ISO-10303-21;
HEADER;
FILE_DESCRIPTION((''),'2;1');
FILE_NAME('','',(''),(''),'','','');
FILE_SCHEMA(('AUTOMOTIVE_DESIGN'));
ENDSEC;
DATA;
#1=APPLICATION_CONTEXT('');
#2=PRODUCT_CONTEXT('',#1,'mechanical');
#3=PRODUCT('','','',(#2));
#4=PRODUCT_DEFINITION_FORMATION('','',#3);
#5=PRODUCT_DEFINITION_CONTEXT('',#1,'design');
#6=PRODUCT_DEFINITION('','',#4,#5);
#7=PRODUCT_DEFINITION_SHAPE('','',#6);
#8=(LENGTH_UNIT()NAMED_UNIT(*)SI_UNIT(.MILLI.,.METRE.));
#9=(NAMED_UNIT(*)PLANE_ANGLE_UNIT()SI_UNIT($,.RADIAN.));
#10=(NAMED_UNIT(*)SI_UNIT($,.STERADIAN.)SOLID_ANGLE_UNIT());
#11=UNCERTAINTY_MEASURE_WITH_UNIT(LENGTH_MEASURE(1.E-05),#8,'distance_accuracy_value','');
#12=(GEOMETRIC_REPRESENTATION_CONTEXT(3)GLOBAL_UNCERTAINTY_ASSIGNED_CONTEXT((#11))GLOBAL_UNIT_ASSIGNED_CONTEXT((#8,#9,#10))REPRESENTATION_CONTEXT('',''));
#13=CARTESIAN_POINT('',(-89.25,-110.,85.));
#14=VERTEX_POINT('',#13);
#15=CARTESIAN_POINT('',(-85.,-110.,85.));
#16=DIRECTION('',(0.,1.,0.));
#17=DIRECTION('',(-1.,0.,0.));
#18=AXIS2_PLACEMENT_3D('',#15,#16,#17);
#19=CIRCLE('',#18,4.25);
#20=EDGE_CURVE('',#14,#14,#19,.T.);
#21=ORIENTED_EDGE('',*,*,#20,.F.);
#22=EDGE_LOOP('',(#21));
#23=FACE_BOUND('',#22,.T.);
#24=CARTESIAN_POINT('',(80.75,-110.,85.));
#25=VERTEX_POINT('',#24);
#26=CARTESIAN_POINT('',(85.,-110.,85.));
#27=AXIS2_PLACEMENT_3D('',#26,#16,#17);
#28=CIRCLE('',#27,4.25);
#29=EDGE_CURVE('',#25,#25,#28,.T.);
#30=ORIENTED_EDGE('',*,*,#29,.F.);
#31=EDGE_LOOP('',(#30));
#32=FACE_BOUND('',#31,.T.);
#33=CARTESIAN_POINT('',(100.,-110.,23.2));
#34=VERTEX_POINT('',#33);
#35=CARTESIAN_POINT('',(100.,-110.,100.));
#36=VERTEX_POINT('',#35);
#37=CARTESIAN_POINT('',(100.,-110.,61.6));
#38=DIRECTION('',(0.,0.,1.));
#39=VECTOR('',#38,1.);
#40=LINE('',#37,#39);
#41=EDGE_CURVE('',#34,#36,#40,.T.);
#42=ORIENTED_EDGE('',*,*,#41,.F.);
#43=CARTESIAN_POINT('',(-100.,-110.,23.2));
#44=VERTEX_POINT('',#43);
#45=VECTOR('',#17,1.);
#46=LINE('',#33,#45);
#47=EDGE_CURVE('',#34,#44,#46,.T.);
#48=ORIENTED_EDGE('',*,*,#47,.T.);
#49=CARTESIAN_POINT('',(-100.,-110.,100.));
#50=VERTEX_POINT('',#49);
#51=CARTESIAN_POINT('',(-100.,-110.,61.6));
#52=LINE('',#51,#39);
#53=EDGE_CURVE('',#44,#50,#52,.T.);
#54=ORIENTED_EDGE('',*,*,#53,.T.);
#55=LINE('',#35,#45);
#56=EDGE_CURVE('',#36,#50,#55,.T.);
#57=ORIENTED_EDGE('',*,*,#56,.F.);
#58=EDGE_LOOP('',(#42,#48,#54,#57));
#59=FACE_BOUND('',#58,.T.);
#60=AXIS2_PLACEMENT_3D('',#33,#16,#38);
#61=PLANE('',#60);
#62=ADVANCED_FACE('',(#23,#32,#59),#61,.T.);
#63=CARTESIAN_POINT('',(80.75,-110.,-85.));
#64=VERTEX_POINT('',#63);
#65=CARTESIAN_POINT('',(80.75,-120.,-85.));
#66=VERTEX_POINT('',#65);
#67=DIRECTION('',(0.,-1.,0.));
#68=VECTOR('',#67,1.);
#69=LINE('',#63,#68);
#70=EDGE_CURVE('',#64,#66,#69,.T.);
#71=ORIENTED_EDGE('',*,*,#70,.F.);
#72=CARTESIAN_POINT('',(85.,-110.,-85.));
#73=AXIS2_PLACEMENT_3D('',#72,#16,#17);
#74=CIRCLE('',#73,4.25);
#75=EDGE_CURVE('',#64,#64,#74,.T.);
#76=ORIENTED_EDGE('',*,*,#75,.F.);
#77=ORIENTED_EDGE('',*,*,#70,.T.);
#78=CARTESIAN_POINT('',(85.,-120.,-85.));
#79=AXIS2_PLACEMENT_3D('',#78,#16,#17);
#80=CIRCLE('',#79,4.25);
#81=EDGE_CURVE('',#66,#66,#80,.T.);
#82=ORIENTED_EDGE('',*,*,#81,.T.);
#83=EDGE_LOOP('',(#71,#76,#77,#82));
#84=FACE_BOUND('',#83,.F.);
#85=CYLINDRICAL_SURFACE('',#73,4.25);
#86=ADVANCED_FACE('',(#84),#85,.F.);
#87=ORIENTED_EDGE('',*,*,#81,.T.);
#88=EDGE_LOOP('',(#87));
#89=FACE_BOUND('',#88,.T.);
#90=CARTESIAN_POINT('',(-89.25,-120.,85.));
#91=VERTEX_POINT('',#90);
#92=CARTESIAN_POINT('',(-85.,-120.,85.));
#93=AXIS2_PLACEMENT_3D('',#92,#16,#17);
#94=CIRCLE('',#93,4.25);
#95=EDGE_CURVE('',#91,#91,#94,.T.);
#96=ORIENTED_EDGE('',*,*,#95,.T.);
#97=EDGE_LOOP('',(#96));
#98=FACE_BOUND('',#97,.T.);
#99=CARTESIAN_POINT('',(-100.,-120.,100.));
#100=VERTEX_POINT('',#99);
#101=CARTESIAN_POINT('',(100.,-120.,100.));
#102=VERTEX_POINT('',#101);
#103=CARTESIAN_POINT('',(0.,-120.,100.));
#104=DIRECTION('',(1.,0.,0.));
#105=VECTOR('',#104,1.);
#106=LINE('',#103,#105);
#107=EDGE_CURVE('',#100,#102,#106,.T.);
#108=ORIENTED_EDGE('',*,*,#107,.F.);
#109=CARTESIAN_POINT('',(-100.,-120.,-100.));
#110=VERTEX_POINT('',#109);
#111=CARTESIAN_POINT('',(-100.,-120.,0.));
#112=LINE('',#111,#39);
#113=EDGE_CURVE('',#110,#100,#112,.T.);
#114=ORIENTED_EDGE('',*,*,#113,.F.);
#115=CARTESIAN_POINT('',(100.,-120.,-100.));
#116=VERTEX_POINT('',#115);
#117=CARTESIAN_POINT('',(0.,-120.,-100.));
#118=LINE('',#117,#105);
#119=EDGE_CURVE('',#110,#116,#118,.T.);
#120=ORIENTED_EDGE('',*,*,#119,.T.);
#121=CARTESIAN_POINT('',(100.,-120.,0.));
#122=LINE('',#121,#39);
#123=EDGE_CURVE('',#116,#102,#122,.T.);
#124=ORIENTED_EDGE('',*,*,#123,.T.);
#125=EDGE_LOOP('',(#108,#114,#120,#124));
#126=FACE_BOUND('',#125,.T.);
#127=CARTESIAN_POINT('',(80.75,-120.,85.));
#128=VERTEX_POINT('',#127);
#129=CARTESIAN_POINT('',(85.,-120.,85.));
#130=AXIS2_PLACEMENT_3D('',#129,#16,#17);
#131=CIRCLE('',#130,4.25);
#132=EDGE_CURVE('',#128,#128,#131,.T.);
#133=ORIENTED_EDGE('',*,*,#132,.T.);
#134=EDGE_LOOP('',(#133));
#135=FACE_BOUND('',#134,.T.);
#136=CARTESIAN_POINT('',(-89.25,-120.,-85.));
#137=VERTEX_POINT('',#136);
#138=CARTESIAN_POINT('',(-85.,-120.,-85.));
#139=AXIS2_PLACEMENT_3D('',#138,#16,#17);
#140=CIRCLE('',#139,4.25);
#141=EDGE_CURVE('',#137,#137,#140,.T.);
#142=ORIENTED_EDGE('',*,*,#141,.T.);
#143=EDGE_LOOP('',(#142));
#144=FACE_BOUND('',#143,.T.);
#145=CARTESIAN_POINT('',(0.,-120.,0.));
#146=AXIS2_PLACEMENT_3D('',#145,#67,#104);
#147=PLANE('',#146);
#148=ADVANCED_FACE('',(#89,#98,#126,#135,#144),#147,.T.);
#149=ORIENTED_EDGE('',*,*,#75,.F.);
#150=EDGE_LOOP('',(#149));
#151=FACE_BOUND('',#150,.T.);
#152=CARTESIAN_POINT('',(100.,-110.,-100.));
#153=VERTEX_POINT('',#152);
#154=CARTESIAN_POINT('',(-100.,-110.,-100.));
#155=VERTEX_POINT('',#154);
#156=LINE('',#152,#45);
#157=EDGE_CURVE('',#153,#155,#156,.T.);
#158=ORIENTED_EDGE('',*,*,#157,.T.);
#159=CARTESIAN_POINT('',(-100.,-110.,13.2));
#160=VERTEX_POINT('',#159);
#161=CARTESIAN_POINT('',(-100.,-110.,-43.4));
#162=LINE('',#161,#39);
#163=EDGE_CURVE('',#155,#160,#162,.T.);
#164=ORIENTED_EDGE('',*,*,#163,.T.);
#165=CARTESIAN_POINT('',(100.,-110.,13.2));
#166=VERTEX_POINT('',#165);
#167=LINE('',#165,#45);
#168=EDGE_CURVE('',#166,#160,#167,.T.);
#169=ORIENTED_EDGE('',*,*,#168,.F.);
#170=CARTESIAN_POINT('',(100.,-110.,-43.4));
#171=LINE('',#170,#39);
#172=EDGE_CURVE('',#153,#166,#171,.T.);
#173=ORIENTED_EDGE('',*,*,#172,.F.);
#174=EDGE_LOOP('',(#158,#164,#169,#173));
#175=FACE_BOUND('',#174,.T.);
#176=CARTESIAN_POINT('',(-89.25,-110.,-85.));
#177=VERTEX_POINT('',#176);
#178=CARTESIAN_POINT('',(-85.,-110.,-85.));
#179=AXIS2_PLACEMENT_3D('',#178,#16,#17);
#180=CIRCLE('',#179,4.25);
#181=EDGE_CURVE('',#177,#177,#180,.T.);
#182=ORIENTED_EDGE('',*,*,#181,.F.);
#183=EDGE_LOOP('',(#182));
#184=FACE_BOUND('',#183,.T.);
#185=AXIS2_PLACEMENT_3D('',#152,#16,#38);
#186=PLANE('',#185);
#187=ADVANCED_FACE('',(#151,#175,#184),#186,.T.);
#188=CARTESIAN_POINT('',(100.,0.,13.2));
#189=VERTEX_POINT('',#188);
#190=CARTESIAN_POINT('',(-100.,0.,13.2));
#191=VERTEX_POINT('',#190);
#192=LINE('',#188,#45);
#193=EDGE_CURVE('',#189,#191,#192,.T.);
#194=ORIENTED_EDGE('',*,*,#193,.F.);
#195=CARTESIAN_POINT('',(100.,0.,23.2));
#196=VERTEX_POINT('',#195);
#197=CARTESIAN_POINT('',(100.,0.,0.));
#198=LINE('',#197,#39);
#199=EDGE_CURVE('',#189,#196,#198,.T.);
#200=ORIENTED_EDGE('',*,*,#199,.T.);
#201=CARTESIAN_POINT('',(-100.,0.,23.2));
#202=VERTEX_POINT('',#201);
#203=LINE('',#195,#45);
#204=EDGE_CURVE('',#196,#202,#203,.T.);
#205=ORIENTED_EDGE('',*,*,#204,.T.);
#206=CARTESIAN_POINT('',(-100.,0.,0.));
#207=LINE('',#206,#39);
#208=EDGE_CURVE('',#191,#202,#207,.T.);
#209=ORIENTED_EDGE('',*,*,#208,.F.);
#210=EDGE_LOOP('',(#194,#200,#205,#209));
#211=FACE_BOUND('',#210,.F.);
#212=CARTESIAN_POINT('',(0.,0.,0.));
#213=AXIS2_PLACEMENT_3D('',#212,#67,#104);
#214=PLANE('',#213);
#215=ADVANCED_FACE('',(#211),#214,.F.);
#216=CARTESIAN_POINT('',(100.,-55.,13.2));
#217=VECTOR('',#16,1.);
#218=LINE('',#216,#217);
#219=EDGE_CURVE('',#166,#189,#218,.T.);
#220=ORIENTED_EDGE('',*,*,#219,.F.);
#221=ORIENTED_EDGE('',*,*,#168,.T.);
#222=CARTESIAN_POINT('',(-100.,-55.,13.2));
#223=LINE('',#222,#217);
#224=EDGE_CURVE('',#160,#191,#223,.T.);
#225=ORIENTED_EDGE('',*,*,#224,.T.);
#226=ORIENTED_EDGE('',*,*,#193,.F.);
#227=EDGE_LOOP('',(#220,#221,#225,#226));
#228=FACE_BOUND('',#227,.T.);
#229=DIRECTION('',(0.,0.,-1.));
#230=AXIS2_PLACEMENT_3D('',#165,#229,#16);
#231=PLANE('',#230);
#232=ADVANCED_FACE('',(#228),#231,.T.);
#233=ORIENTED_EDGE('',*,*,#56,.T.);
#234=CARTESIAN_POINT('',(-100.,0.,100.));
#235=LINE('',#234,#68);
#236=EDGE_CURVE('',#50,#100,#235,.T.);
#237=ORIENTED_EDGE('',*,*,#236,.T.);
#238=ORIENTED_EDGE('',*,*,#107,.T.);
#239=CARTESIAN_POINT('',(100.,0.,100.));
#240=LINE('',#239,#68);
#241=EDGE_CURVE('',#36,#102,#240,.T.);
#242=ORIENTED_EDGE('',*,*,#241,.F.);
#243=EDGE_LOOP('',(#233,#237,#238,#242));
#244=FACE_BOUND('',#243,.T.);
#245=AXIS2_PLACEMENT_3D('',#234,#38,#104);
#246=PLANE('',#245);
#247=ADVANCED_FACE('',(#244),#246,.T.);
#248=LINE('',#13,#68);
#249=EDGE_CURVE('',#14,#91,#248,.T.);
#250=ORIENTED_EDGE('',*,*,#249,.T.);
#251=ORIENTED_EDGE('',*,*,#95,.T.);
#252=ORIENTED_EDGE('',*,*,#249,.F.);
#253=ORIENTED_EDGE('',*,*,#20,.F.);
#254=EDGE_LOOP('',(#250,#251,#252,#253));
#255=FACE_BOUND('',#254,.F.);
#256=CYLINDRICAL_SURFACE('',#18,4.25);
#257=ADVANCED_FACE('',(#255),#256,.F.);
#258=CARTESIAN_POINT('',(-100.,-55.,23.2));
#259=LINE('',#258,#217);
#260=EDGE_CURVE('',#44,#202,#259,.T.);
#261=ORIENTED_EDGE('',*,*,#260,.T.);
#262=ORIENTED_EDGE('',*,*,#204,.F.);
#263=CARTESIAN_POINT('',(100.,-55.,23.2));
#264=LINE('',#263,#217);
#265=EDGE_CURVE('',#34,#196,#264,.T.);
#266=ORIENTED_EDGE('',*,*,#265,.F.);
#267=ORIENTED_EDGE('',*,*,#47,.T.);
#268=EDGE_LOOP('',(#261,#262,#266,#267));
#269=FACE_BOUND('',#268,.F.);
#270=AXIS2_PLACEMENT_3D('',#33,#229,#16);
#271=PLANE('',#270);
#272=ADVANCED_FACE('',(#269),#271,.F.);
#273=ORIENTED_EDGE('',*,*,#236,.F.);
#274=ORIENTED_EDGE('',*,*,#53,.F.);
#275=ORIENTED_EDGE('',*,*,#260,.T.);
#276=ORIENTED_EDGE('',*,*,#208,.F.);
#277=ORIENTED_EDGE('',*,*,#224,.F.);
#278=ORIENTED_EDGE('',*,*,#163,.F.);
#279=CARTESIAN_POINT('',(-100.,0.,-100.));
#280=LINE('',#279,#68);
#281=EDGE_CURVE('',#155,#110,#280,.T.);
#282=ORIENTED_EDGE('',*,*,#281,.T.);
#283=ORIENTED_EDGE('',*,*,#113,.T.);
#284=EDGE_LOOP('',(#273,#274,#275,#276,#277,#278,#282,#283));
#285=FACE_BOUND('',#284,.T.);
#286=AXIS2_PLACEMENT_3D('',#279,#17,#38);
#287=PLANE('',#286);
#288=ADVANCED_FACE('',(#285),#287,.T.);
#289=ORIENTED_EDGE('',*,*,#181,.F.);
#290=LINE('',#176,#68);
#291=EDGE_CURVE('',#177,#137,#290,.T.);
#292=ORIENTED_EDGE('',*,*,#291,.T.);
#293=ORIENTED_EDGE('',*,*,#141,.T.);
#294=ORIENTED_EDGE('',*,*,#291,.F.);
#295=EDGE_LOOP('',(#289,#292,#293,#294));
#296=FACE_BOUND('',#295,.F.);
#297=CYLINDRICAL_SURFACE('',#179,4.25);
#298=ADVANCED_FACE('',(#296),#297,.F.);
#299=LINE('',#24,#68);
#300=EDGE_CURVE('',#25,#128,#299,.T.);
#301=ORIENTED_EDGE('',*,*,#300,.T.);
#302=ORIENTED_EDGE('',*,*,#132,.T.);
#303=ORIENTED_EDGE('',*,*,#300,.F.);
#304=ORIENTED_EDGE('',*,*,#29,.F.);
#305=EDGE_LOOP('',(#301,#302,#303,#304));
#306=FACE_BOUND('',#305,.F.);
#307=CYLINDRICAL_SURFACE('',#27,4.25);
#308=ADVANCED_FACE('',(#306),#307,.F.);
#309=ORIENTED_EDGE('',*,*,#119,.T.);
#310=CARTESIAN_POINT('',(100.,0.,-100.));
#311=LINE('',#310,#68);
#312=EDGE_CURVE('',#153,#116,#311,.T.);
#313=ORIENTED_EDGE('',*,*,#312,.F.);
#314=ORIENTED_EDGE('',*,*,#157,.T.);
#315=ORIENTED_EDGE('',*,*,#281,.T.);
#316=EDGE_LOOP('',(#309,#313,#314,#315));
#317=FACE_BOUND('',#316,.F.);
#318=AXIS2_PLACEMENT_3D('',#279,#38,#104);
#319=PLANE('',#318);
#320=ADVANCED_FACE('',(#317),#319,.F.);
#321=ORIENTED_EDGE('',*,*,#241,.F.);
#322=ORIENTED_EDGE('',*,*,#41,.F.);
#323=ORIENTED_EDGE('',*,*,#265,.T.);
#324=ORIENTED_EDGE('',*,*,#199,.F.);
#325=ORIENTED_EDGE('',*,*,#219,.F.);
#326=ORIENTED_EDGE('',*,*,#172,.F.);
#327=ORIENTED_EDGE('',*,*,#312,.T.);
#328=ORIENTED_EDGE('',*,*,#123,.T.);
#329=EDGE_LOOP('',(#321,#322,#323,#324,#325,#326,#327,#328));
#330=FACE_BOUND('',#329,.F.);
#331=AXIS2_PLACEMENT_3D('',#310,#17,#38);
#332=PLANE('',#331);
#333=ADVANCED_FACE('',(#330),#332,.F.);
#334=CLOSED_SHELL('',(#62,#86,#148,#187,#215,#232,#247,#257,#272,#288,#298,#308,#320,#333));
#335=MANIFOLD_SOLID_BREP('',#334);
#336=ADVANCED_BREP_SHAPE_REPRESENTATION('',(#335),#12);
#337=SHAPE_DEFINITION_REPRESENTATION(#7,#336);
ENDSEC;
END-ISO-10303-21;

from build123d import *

# Parameters (mm, degrees)
F0_W      = 200
F0_H      = 200
F1_DEPTH  = 120
F2_W      = 110
F2_H      = 76.8
F2_H_2    = 113.2
F3_DEPTH  = 200
F5_R      = 4.25
F6_DEPTH  = 10
F7_R      = 4.25
F8_DEPTH  = 10
F9_R      = 4.25
F10_DEPTH = 10


with BuildPart() as f1:
    # F0 (on Front) → F1 (new body)
    with BuildSketch(Plane.XZ):
        Rectangle(F0_W, F0_H)
    extrude(amount=F1_DEPTH)

    # F2 (on face) → F3 (cut)
    with BuildSketch(Plane.YZ.offset(100)):
        with Locations((-55, 61.6)):
            Rectangle(F2_W, F2_H)
        with Locations((-55, -43.4)):
            Rectangle(F2_W, F2_H_2)
    extrude(amount=-F3_DEPTH, mode=Mode.SUBTRACT)

    # F5 (on face) → F6 (cut)
    with BuildSketch(Plane(origin=(0, -110, 0), x_dir=(-1, 0, 0), z_dir=(0, 1, 0))):
        with Locations((-85, 85)):
            Circle(F5_R)
        with Locations((85, 85)):
            Circle(F5_R)
    extrude(amount=-F6_DEPTH, mode=Mode.SUBTRACT)

    # F7 (on face) → F8 (cut)
    with BuildSketch(Plane(origin=(0, -110, 0), x_dir=(-1, 0, 0), z_dir=(0, 1, 0))):
        with Locations((-85, -85)):
            Circle(F7_R)
    extrude(amount=-F8_DEPTH, mode=Mode.SUBTRACT)

    # F9 (on face) → F10 (cut)
    with BuildSketch(Plane(origin=(0, -110, 0), x_dir=(-1, 0, 0), z_dir=(0, 1, 0))):
        with Locations((85, -85)):
            Circle(F9_R)
    extrude(amount=-F10_DEPTH, mode=Mode.SUBTRACT)


solid = f1.part
